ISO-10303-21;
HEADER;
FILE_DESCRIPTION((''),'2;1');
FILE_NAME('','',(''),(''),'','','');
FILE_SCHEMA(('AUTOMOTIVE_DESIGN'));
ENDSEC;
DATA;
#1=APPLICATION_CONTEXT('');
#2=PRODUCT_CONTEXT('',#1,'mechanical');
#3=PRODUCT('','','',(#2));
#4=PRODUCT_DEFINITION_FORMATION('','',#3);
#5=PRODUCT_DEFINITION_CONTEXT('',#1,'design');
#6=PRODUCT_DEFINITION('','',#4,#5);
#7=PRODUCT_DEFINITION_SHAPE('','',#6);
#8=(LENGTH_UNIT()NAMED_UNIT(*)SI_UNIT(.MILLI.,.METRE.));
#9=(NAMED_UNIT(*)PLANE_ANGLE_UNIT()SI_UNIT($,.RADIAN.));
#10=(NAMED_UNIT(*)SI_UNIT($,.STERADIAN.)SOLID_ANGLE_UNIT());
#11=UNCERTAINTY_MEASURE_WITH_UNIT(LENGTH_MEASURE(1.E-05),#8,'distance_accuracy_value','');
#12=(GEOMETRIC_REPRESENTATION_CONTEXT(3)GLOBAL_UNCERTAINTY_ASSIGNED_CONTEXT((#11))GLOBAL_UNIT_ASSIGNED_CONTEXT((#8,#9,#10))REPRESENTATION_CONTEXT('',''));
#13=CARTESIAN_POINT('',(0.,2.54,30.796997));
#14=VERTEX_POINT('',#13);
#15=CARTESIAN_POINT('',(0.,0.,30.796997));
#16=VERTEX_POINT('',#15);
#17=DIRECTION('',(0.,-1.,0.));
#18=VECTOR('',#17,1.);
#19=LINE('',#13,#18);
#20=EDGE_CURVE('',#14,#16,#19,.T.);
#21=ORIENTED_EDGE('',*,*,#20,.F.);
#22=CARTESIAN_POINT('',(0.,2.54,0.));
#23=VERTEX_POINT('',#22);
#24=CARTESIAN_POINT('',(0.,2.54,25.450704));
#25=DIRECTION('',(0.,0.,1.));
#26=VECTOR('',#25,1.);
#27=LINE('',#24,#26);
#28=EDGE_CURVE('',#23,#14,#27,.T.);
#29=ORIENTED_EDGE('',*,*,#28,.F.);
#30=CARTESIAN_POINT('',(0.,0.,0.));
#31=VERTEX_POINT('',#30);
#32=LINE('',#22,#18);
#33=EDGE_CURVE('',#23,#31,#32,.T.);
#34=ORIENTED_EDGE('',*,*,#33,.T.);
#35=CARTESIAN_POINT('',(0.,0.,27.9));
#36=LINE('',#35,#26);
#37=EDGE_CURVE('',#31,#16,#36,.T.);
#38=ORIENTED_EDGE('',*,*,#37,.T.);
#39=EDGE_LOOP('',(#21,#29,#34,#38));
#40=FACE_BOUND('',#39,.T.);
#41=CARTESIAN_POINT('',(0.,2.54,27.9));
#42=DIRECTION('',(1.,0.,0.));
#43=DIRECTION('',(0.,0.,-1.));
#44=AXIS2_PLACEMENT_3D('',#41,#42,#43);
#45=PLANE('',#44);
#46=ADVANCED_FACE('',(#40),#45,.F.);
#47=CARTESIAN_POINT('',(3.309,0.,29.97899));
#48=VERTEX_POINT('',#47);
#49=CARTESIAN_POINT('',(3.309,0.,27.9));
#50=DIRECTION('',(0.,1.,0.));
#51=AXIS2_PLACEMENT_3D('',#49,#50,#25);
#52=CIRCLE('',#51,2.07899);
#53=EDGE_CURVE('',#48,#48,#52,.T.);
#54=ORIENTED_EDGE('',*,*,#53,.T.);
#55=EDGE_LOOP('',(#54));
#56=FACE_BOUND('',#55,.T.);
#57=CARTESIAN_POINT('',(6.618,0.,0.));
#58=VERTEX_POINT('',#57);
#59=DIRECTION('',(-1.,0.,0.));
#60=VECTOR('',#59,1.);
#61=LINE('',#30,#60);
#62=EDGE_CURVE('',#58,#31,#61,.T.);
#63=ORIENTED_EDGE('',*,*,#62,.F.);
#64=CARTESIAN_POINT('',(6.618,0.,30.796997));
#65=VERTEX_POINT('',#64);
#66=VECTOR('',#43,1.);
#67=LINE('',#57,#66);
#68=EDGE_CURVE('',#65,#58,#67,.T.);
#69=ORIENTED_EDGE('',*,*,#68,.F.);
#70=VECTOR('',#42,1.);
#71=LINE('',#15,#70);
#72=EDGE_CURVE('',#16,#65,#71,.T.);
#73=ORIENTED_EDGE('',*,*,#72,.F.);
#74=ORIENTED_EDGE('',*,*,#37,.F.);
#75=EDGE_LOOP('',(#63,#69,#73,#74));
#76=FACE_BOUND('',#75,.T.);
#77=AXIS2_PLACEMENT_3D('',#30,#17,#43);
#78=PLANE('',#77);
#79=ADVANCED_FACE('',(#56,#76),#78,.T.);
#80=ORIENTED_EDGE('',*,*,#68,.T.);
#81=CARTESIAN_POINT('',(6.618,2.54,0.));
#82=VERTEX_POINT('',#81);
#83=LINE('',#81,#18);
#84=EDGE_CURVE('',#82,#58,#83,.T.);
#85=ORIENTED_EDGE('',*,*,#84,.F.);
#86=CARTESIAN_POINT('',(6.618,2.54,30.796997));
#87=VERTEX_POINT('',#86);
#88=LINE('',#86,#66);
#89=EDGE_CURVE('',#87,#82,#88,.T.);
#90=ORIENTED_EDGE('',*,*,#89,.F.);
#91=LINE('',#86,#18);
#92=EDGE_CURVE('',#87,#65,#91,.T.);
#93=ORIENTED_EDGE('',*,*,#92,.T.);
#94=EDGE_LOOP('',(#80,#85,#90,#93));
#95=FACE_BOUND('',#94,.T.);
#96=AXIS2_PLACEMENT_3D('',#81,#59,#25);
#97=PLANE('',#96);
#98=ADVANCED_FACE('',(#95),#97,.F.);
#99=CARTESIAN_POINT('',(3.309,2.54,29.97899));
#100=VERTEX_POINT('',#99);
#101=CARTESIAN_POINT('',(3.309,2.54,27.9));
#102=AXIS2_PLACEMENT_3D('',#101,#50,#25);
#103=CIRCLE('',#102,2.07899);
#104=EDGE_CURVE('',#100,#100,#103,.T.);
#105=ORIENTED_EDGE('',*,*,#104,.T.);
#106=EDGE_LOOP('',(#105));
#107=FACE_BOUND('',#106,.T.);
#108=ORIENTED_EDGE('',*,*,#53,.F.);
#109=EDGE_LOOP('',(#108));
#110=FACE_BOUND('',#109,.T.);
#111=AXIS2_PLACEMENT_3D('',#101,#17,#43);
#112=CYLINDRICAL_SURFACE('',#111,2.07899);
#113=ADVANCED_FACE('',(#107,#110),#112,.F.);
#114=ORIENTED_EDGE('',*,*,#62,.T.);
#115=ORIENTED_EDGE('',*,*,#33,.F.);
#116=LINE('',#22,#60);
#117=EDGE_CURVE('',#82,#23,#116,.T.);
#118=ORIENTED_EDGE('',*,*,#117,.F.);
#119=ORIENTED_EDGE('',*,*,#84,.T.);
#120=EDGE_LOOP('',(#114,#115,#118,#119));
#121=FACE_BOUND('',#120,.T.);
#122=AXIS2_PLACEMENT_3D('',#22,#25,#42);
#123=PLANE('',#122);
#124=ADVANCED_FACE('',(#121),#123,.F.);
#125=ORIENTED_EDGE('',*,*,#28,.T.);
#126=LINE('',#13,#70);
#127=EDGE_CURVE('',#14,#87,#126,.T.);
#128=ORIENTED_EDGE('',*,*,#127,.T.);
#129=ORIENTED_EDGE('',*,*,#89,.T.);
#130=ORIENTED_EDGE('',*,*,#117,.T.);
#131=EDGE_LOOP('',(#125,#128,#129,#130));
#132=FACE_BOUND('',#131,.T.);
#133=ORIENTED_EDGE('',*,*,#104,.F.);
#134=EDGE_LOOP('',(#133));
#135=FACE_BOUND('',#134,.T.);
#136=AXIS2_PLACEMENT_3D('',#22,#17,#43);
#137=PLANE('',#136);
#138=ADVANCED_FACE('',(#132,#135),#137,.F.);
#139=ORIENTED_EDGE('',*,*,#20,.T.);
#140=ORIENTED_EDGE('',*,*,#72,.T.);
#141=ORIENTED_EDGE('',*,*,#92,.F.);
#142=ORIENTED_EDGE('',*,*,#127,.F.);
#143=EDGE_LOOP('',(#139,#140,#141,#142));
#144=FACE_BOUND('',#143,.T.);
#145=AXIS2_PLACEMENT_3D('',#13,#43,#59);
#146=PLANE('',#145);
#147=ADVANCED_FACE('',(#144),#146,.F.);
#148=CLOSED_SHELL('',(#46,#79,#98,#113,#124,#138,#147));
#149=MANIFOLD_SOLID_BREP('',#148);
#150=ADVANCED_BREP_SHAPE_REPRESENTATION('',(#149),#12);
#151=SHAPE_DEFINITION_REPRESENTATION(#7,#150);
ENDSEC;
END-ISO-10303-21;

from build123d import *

# Parameters (mm, degrees)
SKETCH1_R           = 2.07899
BOSS_EXTRUDE1_DEPTH = 2.54


with BuildPart() as part:
    # Sketch1 → Boss-Extrude1 (new body)
    with BuildSketch(Plane(origin=(0, 0, 0), x_dir=(1, 0, 0), z_dir=(0, 1, 0))):
        Polygon((0, 0), (6.618, 0), (6.618, -25.450703704), (6.618, -30.796997366), (0, -30.796997366), (0, -27.9), (0, -25.450703704), align=None)
        with Locations((3.309, -27.9)):
            Circle(SKETCH1_R, mode=Mode.SUBTRACT)
    extrude(amount=BOSS_EXTRUDE1_DEPTH)


solid = part.part
